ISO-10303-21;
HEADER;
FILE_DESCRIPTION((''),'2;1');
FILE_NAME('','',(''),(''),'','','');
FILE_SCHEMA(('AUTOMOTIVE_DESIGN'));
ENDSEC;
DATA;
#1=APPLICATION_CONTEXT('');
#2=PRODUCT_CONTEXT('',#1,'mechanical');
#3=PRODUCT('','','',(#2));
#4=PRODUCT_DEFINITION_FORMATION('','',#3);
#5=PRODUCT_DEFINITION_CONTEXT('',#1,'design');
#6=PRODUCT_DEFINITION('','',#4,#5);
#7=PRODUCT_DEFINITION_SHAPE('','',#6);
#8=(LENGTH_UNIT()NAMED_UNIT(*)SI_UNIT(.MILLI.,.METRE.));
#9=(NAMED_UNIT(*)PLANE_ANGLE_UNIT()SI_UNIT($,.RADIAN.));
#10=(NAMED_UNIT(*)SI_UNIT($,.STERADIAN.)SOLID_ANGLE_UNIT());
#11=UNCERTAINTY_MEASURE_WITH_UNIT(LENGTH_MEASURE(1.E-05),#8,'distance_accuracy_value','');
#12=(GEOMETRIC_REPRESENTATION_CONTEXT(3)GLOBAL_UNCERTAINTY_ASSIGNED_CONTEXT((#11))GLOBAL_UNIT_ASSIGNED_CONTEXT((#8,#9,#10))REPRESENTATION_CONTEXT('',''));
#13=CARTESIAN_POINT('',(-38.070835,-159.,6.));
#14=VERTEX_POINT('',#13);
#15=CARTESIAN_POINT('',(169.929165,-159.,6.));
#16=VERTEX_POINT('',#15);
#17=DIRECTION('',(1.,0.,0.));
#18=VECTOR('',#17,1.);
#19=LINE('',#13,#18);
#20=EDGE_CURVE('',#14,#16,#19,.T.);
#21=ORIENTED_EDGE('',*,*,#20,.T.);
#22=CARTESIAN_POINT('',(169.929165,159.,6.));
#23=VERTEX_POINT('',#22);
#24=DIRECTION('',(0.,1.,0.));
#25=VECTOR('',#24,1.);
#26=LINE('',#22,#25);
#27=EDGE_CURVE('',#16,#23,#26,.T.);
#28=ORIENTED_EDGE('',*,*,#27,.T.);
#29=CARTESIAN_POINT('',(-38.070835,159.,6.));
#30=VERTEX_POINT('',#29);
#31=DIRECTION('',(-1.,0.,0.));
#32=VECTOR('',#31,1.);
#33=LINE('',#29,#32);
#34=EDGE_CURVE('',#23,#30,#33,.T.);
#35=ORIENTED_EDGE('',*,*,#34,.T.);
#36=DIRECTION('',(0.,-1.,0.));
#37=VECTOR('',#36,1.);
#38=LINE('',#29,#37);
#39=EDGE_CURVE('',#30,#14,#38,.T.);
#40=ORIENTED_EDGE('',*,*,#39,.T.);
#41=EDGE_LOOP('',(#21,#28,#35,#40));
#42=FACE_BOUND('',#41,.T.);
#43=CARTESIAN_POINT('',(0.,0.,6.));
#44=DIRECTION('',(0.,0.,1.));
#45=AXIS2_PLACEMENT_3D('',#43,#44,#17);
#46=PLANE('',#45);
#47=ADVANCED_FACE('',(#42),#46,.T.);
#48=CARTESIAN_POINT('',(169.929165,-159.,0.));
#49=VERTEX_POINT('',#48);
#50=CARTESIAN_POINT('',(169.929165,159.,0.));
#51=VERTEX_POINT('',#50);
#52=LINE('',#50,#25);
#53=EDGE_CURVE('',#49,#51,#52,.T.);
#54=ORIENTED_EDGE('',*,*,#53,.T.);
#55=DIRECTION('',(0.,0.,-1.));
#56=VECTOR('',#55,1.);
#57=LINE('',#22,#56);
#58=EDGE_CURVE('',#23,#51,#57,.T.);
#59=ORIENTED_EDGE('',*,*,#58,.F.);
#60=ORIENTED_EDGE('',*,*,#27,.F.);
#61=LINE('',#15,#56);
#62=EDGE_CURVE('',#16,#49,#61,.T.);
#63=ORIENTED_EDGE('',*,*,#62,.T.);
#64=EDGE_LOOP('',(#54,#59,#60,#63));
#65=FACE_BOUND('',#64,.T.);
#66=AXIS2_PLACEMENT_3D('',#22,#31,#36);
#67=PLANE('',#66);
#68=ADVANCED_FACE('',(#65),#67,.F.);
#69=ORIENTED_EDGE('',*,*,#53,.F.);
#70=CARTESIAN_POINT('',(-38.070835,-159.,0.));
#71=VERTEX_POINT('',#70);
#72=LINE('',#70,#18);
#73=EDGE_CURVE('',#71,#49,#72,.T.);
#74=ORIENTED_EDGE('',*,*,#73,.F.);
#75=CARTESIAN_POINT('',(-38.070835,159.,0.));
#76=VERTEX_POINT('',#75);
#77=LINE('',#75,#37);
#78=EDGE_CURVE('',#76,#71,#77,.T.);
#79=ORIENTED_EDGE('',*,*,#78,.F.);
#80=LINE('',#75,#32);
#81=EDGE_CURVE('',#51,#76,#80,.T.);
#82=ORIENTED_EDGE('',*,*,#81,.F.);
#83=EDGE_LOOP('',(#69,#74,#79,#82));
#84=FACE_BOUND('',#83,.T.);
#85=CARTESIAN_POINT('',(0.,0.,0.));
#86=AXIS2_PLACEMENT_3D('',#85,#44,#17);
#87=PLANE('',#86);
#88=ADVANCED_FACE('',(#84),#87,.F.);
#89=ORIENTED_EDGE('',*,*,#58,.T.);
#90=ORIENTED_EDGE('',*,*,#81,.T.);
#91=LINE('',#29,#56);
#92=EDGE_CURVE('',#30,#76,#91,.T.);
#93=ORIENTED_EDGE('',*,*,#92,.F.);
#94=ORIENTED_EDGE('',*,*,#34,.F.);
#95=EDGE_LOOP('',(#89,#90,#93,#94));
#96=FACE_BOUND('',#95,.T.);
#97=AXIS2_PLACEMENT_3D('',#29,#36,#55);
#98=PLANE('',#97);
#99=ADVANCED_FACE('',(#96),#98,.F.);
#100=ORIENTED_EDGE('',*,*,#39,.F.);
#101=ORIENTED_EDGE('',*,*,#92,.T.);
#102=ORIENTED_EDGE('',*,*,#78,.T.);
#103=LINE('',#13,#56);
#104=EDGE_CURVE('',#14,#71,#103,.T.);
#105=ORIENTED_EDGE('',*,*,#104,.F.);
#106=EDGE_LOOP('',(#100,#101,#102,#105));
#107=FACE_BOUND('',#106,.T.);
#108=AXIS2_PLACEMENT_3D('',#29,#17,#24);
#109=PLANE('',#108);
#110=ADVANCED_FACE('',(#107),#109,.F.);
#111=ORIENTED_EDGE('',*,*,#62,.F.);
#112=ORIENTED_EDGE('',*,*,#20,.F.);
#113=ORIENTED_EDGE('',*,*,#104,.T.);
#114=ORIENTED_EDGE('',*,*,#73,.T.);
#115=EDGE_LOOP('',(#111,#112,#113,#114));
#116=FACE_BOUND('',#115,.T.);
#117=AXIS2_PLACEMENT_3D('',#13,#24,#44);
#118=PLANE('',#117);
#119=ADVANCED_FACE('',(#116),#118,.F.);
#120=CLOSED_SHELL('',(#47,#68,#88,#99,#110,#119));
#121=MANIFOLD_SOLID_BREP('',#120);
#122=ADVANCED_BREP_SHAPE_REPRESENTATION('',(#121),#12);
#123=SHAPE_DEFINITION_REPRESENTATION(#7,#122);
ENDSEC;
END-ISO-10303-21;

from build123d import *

# Parameters (mm, degrees)
ESQUISSE1_W        = 208
ESQUISSE1_H        = 318
BOSS_EXTRU_1_DEPTH = 6


with BuildPart() as part:
    # Esquisse1 → Boss.-Extru.1 (new body)
    with BuildSketch(Plane.XY):
        with Locations((65.929164598, 0)):
            Rectangle(ESQUISSE1_W, ESQUISSE1_H)
    extrude(amount=BOSS_EXTRU_1_DEPTH)


solid = part.part
